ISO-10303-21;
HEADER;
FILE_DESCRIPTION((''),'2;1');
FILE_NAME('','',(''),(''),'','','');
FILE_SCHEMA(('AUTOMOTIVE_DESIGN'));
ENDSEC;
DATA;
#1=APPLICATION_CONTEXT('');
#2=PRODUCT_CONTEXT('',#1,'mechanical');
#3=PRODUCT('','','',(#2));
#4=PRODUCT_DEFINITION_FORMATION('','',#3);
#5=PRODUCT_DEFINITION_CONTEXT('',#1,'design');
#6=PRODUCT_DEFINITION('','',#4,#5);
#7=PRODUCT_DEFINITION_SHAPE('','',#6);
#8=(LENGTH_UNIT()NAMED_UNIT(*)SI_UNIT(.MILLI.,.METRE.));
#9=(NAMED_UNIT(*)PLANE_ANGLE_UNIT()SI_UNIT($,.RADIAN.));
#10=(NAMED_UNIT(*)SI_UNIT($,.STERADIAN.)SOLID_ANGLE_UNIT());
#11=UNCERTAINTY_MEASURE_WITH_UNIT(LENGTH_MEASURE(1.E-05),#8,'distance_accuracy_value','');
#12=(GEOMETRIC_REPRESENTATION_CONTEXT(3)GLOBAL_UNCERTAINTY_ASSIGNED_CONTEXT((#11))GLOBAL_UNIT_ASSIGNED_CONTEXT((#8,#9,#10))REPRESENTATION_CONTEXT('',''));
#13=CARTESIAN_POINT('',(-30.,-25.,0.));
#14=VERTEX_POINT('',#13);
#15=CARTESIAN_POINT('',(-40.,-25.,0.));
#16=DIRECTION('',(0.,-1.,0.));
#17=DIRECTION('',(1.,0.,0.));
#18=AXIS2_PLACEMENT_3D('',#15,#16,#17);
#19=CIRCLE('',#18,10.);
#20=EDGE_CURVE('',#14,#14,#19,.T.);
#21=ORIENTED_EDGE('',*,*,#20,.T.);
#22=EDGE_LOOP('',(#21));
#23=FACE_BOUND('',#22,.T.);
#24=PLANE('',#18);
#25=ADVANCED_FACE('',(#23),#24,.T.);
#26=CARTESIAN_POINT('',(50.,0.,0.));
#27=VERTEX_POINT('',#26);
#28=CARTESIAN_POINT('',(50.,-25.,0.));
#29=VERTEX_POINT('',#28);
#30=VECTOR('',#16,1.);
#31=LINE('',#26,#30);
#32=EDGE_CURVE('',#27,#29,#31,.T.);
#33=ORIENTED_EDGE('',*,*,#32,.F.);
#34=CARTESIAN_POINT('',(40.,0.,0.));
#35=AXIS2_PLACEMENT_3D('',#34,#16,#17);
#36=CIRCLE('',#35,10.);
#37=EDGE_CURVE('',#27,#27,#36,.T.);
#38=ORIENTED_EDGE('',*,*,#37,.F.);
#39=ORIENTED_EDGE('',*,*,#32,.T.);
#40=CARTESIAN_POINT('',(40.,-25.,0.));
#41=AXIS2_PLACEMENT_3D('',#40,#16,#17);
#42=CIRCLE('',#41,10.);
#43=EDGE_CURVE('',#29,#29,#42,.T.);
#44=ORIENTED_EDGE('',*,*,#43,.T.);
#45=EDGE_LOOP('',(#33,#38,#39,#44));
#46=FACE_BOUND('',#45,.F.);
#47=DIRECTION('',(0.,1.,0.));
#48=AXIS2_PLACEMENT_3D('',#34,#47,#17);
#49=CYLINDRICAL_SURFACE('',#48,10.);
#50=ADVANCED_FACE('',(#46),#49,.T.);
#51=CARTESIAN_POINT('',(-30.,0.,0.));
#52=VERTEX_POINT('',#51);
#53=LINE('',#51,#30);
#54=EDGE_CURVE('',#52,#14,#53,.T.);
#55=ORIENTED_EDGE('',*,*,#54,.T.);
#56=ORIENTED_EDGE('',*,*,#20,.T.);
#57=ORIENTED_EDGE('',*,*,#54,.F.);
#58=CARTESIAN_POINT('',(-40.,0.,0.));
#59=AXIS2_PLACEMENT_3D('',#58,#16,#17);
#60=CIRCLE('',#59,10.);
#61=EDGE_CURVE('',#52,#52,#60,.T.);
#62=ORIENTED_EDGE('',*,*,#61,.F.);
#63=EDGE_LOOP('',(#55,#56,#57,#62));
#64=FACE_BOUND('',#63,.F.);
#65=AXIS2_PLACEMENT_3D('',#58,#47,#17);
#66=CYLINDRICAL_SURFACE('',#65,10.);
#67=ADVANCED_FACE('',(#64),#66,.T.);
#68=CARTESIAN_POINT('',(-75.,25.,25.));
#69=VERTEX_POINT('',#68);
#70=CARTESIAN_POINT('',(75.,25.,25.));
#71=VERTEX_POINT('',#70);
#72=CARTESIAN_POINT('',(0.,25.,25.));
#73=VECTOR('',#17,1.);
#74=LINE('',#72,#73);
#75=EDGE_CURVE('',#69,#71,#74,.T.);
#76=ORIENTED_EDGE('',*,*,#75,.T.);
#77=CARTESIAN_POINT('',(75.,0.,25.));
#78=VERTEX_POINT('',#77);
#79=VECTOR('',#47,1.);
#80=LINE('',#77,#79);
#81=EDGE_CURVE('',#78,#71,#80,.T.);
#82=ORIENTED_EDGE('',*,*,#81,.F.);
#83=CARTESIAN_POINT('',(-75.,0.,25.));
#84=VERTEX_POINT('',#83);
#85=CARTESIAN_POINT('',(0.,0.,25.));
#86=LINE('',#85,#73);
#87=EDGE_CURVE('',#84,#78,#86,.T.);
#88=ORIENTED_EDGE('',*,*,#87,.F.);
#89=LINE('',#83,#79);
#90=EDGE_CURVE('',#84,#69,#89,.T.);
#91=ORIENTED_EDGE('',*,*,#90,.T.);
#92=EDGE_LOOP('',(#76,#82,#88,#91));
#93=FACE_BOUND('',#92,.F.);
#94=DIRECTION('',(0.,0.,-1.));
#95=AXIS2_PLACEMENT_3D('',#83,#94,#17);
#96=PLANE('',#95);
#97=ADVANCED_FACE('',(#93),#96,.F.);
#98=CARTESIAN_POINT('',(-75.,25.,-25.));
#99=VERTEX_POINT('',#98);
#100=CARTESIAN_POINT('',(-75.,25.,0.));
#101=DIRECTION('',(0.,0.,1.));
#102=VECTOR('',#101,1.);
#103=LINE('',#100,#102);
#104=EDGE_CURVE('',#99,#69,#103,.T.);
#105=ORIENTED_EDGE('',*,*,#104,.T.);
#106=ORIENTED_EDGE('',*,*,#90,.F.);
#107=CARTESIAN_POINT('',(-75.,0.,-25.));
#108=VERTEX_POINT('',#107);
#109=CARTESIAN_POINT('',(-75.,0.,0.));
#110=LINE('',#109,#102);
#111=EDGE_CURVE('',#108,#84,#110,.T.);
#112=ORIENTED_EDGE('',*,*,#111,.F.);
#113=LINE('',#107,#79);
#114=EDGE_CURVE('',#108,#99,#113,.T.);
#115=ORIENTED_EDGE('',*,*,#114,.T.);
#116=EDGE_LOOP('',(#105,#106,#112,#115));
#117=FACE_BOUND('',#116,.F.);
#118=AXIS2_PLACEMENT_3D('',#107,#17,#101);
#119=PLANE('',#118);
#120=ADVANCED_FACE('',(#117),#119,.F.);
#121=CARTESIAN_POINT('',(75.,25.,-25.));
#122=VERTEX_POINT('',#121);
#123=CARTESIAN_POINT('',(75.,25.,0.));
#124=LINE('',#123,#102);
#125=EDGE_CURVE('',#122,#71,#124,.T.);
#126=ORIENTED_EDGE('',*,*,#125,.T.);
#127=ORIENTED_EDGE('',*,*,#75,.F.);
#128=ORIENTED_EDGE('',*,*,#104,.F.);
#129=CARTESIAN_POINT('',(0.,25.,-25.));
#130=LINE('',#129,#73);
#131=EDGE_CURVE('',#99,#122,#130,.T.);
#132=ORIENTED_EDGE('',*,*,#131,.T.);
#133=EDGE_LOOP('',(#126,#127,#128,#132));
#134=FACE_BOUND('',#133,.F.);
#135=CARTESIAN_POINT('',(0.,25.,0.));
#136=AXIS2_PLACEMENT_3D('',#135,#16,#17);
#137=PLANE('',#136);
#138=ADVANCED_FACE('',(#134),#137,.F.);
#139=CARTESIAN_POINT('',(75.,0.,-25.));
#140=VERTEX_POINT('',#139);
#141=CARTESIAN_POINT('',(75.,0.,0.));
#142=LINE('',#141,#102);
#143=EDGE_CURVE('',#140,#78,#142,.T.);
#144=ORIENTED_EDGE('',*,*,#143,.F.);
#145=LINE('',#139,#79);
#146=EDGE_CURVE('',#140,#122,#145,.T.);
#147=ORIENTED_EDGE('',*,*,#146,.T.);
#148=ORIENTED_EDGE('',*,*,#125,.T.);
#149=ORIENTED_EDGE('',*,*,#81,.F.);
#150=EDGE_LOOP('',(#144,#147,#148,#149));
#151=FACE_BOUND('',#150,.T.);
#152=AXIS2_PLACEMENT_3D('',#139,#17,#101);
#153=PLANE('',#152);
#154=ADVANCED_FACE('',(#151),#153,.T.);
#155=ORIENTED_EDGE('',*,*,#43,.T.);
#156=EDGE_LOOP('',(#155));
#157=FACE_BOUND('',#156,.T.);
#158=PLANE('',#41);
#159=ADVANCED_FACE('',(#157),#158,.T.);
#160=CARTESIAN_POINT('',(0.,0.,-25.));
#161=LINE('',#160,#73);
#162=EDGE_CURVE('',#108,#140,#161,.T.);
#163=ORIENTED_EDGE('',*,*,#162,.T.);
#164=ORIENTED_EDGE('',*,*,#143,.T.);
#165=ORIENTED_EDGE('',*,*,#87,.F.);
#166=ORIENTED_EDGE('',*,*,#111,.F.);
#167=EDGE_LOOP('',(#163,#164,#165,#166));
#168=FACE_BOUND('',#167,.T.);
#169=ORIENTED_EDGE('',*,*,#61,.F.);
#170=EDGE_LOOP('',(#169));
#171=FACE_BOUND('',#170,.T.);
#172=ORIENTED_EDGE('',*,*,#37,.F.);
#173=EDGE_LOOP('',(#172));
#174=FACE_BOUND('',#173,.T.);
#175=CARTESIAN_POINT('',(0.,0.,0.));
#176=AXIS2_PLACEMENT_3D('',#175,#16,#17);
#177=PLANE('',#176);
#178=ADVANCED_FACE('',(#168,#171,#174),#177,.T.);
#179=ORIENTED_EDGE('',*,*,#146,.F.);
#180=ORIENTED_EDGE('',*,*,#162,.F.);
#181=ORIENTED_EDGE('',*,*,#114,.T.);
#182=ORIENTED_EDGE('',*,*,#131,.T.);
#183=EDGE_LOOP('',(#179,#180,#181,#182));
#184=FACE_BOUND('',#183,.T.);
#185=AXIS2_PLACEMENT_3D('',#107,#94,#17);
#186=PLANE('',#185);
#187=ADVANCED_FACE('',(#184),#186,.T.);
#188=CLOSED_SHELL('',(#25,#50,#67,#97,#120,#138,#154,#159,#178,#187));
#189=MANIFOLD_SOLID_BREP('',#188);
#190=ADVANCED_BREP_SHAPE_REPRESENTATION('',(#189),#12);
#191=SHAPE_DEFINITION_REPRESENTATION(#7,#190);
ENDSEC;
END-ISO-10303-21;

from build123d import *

# Parameters (mm, degrees)
F0_W     = 150
F0_H     = 50
F0_R     = 10
F1_DEPTH = 25
F2_DEPTH = 25


with BuildPart() as f1:
    # F0 (on Front) → F1 (new body)
    with BuildSketch(Plane.XZ):
        Rectangle(F0_W, F0_H)
        with Locations((-40, 0)):
            Circle(F0_R, mode=Mode.SUBTRACT)
        with Locations((40, 0)):
            Circle(F0_R, mode=Mode.SUBTRACT)
        with Locations((-40, 0)):
            Circle(F0_R)
        with Locations((40, 0)):
            Circle(F0_R)
    extrude(amount=-F1_DEPTH)

    # F0 (on Front) → F2 (join)
    with BuildSketch(Plane.XZ):
        with Locations((-40, 0)):
            Circle(F0_R)
        with Locations((40, 0)):
            Circle(F0_R)
    extrude(amount=F2_DEPTH)


solid = f1.part
